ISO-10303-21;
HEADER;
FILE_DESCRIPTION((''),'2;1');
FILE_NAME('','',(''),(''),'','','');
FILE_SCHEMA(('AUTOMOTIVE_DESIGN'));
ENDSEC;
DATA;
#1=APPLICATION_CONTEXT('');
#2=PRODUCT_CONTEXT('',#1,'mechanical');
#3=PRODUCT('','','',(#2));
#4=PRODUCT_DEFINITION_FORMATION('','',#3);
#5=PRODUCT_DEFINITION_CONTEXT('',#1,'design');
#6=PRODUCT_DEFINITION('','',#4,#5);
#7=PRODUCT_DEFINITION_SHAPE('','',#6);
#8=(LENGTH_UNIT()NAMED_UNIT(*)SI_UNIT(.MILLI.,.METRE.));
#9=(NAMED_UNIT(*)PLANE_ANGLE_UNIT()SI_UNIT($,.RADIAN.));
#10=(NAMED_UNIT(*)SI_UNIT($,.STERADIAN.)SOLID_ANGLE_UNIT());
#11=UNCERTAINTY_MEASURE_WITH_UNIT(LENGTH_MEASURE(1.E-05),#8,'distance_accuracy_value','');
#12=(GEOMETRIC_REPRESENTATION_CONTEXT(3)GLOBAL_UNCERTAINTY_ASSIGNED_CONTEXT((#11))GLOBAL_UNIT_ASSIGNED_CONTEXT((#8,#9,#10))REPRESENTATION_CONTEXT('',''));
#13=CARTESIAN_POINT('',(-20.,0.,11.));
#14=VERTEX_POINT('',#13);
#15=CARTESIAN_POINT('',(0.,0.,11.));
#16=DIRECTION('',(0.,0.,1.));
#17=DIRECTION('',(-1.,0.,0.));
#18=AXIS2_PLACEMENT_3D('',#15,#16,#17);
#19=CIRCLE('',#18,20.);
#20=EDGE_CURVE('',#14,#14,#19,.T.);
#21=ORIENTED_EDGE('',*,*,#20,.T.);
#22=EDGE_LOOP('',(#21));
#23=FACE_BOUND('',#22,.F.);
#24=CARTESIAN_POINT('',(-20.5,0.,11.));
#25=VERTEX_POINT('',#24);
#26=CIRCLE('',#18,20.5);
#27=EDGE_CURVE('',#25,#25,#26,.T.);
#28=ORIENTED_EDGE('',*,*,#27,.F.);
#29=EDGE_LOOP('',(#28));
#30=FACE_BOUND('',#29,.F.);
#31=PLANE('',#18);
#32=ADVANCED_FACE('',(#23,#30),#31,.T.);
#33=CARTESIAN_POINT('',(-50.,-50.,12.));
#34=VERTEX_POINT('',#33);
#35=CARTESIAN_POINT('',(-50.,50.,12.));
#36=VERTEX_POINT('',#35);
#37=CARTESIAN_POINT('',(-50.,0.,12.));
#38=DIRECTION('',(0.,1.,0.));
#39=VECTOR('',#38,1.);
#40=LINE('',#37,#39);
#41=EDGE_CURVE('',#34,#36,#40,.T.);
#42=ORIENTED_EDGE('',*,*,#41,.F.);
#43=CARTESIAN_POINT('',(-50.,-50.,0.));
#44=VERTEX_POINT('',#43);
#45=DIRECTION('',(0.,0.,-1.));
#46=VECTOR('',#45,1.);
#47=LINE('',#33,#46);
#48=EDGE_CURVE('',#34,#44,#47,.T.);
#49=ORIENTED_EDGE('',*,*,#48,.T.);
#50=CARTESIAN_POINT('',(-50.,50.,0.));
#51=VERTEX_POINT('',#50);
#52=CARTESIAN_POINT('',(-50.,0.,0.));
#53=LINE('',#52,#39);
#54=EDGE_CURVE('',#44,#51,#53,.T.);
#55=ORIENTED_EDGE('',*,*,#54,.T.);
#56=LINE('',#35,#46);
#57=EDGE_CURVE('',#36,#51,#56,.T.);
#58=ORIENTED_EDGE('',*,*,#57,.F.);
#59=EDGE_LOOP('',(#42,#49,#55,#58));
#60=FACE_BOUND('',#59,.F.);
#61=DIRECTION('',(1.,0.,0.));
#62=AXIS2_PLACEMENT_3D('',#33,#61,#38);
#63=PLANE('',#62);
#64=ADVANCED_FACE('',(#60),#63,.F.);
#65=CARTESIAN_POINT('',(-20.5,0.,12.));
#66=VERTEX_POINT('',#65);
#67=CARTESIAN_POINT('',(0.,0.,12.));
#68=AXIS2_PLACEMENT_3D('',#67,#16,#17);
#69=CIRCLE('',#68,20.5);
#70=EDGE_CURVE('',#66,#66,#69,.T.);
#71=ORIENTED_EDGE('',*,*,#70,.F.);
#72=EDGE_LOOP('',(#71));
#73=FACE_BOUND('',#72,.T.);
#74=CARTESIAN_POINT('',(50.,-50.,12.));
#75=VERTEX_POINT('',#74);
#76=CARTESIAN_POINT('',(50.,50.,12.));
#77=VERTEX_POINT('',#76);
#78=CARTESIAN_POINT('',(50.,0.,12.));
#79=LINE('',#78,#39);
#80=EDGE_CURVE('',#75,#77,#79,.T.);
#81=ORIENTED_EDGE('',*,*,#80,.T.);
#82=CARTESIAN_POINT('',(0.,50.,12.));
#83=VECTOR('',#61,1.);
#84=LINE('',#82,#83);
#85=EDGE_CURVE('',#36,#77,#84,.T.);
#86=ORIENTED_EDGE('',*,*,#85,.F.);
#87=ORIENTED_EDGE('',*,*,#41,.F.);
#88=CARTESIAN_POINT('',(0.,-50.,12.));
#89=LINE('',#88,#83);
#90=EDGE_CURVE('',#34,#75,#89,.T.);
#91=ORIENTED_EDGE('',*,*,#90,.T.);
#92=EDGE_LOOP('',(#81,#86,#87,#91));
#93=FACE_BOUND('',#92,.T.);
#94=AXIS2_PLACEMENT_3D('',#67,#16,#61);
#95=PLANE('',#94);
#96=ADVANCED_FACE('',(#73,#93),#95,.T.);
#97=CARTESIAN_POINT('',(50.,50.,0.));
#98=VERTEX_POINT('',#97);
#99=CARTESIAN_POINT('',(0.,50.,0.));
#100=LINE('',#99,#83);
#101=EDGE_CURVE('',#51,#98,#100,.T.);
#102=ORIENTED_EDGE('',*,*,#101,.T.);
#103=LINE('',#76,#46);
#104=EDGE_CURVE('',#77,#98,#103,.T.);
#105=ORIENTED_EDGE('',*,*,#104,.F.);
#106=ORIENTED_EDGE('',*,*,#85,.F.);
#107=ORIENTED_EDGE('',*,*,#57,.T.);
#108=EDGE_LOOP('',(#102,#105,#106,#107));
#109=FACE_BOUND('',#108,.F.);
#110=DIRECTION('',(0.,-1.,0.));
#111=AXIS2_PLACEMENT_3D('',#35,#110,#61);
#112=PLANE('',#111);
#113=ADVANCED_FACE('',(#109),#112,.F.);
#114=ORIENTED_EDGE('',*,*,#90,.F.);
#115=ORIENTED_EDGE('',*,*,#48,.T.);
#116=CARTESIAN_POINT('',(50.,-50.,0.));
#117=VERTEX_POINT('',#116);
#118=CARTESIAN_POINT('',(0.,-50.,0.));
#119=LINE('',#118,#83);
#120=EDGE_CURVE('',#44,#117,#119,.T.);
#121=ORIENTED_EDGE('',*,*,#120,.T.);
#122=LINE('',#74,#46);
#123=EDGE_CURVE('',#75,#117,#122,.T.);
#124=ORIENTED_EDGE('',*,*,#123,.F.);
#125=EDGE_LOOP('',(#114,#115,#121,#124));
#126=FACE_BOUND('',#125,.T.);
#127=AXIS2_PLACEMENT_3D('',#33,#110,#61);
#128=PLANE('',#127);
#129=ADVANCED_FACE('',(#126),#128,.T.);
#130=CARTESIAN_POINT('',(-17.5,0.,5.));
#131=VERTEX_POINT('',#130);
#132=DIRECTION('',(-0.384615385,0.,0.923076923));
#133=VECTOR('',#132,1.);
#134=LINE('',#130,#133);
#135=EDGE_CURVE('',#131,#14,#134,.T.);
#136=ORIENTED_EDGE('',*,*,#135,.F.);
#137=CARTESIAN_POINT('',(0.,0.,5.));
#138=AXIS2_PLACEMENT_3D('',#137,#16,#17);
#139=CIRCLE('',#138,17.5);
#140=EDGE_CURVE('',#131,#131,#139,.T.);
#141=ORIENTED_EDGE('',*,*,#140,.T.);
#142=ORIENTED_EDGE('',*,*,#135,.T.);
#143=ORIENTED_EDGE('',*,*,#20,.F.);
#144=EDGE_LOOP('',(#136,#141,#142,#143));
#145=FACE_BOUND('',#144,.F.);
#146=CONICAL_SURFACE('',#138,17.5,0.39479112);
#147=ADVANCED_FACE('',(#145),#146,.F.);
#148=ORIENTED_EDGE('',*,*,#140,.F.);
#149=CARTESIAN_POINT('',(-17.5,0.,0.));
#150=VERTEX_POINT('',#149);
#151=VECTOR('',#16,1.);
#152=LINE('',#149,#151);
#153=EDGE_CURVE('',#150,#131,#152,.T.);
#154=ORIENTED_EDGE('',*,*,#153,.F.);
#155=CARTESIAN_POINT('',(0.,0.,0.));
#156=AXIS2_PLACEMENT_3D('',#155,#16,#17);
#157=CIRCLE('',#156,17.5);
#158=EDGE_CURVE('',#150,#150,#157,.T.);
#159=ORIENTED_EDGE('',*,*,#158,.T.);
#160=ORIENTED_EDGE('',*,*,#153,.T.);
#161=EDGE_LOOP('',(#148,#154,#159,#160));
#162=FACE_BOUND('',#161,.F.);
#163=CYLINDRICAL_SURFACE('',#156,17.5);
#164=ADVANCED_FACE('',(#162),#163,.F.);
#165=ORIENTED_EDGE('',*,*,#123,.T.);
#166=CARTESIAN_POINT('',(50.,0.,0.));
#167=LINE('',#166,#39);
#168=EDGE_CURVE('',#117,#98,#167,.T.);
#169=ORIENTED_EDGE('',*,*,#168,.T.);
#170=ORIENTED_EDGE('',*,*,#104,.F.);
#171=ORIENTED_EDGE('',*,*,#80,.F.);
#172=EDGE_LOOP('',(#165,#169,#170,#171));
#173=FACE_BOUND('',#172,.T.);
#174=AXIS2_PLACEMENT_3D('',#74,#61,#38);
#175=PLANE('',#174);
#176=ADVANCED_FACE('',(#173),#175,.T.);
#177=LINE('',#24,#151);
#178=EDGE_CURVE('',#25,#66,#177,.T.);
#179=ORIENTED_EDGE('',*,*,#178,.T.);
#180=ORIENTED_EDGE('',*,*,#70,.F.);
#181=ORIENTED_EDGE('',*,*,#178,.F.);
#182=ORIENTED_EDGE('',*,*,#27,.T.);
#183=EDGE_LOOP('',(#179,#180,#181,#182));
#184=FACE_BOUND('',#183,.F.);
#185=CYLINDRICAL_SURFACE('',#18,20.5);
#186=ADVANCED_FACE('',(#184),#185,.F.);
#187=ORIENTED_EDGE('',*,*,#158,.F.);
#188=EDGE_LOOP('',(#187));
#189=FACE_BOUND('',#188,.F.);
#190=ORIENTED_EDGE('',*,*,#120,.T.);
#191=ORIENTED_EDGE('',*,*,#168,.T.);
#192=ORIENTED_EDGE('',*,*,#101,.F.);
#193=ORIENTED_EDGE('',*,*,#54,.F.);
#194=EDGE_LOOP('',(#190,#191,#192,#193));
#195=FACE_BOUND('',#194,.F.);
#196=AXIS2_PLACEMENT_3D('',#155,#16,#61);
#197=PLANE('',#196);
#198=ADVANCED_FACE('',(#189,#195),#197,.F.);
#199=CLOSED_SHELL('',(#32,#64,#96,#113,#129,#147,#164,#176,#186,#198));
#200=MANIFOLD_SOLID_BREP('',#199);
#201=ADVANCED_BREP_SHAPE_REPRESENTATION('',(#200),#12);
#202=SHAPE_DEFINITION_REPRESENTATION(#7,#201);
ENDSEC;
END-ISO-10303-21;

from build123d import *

# Parameters (mm, degrees)
F2_W     = 100
F2_H     = 100
F2_R     = 40
F3_DEPTH = 12


with BuildPart() as f1:
    # F0 (on Front) → F1 (revolve)
    with BuildSketch(Plane.XZ):
        Polygon((-40, 0), (-17.5, 0), (-17.5, 5), (-20, 11), (-20.5, 11), (-20.5, 12), (-40, 12), align=None)
    revolve(axis=Axis((0, 0, 25.371263), (0, 0, 1)))

    # F2 (on face) → F3 (join)
    with BuildSketch(Plane.XY.offset(12)):
        Rectangle(F2_W, F2_H)
        Circle(F2_R, mode=Mode.SUBTRACT)
    extrude(amount=-F3_DEPTH)


solid = f1.part
